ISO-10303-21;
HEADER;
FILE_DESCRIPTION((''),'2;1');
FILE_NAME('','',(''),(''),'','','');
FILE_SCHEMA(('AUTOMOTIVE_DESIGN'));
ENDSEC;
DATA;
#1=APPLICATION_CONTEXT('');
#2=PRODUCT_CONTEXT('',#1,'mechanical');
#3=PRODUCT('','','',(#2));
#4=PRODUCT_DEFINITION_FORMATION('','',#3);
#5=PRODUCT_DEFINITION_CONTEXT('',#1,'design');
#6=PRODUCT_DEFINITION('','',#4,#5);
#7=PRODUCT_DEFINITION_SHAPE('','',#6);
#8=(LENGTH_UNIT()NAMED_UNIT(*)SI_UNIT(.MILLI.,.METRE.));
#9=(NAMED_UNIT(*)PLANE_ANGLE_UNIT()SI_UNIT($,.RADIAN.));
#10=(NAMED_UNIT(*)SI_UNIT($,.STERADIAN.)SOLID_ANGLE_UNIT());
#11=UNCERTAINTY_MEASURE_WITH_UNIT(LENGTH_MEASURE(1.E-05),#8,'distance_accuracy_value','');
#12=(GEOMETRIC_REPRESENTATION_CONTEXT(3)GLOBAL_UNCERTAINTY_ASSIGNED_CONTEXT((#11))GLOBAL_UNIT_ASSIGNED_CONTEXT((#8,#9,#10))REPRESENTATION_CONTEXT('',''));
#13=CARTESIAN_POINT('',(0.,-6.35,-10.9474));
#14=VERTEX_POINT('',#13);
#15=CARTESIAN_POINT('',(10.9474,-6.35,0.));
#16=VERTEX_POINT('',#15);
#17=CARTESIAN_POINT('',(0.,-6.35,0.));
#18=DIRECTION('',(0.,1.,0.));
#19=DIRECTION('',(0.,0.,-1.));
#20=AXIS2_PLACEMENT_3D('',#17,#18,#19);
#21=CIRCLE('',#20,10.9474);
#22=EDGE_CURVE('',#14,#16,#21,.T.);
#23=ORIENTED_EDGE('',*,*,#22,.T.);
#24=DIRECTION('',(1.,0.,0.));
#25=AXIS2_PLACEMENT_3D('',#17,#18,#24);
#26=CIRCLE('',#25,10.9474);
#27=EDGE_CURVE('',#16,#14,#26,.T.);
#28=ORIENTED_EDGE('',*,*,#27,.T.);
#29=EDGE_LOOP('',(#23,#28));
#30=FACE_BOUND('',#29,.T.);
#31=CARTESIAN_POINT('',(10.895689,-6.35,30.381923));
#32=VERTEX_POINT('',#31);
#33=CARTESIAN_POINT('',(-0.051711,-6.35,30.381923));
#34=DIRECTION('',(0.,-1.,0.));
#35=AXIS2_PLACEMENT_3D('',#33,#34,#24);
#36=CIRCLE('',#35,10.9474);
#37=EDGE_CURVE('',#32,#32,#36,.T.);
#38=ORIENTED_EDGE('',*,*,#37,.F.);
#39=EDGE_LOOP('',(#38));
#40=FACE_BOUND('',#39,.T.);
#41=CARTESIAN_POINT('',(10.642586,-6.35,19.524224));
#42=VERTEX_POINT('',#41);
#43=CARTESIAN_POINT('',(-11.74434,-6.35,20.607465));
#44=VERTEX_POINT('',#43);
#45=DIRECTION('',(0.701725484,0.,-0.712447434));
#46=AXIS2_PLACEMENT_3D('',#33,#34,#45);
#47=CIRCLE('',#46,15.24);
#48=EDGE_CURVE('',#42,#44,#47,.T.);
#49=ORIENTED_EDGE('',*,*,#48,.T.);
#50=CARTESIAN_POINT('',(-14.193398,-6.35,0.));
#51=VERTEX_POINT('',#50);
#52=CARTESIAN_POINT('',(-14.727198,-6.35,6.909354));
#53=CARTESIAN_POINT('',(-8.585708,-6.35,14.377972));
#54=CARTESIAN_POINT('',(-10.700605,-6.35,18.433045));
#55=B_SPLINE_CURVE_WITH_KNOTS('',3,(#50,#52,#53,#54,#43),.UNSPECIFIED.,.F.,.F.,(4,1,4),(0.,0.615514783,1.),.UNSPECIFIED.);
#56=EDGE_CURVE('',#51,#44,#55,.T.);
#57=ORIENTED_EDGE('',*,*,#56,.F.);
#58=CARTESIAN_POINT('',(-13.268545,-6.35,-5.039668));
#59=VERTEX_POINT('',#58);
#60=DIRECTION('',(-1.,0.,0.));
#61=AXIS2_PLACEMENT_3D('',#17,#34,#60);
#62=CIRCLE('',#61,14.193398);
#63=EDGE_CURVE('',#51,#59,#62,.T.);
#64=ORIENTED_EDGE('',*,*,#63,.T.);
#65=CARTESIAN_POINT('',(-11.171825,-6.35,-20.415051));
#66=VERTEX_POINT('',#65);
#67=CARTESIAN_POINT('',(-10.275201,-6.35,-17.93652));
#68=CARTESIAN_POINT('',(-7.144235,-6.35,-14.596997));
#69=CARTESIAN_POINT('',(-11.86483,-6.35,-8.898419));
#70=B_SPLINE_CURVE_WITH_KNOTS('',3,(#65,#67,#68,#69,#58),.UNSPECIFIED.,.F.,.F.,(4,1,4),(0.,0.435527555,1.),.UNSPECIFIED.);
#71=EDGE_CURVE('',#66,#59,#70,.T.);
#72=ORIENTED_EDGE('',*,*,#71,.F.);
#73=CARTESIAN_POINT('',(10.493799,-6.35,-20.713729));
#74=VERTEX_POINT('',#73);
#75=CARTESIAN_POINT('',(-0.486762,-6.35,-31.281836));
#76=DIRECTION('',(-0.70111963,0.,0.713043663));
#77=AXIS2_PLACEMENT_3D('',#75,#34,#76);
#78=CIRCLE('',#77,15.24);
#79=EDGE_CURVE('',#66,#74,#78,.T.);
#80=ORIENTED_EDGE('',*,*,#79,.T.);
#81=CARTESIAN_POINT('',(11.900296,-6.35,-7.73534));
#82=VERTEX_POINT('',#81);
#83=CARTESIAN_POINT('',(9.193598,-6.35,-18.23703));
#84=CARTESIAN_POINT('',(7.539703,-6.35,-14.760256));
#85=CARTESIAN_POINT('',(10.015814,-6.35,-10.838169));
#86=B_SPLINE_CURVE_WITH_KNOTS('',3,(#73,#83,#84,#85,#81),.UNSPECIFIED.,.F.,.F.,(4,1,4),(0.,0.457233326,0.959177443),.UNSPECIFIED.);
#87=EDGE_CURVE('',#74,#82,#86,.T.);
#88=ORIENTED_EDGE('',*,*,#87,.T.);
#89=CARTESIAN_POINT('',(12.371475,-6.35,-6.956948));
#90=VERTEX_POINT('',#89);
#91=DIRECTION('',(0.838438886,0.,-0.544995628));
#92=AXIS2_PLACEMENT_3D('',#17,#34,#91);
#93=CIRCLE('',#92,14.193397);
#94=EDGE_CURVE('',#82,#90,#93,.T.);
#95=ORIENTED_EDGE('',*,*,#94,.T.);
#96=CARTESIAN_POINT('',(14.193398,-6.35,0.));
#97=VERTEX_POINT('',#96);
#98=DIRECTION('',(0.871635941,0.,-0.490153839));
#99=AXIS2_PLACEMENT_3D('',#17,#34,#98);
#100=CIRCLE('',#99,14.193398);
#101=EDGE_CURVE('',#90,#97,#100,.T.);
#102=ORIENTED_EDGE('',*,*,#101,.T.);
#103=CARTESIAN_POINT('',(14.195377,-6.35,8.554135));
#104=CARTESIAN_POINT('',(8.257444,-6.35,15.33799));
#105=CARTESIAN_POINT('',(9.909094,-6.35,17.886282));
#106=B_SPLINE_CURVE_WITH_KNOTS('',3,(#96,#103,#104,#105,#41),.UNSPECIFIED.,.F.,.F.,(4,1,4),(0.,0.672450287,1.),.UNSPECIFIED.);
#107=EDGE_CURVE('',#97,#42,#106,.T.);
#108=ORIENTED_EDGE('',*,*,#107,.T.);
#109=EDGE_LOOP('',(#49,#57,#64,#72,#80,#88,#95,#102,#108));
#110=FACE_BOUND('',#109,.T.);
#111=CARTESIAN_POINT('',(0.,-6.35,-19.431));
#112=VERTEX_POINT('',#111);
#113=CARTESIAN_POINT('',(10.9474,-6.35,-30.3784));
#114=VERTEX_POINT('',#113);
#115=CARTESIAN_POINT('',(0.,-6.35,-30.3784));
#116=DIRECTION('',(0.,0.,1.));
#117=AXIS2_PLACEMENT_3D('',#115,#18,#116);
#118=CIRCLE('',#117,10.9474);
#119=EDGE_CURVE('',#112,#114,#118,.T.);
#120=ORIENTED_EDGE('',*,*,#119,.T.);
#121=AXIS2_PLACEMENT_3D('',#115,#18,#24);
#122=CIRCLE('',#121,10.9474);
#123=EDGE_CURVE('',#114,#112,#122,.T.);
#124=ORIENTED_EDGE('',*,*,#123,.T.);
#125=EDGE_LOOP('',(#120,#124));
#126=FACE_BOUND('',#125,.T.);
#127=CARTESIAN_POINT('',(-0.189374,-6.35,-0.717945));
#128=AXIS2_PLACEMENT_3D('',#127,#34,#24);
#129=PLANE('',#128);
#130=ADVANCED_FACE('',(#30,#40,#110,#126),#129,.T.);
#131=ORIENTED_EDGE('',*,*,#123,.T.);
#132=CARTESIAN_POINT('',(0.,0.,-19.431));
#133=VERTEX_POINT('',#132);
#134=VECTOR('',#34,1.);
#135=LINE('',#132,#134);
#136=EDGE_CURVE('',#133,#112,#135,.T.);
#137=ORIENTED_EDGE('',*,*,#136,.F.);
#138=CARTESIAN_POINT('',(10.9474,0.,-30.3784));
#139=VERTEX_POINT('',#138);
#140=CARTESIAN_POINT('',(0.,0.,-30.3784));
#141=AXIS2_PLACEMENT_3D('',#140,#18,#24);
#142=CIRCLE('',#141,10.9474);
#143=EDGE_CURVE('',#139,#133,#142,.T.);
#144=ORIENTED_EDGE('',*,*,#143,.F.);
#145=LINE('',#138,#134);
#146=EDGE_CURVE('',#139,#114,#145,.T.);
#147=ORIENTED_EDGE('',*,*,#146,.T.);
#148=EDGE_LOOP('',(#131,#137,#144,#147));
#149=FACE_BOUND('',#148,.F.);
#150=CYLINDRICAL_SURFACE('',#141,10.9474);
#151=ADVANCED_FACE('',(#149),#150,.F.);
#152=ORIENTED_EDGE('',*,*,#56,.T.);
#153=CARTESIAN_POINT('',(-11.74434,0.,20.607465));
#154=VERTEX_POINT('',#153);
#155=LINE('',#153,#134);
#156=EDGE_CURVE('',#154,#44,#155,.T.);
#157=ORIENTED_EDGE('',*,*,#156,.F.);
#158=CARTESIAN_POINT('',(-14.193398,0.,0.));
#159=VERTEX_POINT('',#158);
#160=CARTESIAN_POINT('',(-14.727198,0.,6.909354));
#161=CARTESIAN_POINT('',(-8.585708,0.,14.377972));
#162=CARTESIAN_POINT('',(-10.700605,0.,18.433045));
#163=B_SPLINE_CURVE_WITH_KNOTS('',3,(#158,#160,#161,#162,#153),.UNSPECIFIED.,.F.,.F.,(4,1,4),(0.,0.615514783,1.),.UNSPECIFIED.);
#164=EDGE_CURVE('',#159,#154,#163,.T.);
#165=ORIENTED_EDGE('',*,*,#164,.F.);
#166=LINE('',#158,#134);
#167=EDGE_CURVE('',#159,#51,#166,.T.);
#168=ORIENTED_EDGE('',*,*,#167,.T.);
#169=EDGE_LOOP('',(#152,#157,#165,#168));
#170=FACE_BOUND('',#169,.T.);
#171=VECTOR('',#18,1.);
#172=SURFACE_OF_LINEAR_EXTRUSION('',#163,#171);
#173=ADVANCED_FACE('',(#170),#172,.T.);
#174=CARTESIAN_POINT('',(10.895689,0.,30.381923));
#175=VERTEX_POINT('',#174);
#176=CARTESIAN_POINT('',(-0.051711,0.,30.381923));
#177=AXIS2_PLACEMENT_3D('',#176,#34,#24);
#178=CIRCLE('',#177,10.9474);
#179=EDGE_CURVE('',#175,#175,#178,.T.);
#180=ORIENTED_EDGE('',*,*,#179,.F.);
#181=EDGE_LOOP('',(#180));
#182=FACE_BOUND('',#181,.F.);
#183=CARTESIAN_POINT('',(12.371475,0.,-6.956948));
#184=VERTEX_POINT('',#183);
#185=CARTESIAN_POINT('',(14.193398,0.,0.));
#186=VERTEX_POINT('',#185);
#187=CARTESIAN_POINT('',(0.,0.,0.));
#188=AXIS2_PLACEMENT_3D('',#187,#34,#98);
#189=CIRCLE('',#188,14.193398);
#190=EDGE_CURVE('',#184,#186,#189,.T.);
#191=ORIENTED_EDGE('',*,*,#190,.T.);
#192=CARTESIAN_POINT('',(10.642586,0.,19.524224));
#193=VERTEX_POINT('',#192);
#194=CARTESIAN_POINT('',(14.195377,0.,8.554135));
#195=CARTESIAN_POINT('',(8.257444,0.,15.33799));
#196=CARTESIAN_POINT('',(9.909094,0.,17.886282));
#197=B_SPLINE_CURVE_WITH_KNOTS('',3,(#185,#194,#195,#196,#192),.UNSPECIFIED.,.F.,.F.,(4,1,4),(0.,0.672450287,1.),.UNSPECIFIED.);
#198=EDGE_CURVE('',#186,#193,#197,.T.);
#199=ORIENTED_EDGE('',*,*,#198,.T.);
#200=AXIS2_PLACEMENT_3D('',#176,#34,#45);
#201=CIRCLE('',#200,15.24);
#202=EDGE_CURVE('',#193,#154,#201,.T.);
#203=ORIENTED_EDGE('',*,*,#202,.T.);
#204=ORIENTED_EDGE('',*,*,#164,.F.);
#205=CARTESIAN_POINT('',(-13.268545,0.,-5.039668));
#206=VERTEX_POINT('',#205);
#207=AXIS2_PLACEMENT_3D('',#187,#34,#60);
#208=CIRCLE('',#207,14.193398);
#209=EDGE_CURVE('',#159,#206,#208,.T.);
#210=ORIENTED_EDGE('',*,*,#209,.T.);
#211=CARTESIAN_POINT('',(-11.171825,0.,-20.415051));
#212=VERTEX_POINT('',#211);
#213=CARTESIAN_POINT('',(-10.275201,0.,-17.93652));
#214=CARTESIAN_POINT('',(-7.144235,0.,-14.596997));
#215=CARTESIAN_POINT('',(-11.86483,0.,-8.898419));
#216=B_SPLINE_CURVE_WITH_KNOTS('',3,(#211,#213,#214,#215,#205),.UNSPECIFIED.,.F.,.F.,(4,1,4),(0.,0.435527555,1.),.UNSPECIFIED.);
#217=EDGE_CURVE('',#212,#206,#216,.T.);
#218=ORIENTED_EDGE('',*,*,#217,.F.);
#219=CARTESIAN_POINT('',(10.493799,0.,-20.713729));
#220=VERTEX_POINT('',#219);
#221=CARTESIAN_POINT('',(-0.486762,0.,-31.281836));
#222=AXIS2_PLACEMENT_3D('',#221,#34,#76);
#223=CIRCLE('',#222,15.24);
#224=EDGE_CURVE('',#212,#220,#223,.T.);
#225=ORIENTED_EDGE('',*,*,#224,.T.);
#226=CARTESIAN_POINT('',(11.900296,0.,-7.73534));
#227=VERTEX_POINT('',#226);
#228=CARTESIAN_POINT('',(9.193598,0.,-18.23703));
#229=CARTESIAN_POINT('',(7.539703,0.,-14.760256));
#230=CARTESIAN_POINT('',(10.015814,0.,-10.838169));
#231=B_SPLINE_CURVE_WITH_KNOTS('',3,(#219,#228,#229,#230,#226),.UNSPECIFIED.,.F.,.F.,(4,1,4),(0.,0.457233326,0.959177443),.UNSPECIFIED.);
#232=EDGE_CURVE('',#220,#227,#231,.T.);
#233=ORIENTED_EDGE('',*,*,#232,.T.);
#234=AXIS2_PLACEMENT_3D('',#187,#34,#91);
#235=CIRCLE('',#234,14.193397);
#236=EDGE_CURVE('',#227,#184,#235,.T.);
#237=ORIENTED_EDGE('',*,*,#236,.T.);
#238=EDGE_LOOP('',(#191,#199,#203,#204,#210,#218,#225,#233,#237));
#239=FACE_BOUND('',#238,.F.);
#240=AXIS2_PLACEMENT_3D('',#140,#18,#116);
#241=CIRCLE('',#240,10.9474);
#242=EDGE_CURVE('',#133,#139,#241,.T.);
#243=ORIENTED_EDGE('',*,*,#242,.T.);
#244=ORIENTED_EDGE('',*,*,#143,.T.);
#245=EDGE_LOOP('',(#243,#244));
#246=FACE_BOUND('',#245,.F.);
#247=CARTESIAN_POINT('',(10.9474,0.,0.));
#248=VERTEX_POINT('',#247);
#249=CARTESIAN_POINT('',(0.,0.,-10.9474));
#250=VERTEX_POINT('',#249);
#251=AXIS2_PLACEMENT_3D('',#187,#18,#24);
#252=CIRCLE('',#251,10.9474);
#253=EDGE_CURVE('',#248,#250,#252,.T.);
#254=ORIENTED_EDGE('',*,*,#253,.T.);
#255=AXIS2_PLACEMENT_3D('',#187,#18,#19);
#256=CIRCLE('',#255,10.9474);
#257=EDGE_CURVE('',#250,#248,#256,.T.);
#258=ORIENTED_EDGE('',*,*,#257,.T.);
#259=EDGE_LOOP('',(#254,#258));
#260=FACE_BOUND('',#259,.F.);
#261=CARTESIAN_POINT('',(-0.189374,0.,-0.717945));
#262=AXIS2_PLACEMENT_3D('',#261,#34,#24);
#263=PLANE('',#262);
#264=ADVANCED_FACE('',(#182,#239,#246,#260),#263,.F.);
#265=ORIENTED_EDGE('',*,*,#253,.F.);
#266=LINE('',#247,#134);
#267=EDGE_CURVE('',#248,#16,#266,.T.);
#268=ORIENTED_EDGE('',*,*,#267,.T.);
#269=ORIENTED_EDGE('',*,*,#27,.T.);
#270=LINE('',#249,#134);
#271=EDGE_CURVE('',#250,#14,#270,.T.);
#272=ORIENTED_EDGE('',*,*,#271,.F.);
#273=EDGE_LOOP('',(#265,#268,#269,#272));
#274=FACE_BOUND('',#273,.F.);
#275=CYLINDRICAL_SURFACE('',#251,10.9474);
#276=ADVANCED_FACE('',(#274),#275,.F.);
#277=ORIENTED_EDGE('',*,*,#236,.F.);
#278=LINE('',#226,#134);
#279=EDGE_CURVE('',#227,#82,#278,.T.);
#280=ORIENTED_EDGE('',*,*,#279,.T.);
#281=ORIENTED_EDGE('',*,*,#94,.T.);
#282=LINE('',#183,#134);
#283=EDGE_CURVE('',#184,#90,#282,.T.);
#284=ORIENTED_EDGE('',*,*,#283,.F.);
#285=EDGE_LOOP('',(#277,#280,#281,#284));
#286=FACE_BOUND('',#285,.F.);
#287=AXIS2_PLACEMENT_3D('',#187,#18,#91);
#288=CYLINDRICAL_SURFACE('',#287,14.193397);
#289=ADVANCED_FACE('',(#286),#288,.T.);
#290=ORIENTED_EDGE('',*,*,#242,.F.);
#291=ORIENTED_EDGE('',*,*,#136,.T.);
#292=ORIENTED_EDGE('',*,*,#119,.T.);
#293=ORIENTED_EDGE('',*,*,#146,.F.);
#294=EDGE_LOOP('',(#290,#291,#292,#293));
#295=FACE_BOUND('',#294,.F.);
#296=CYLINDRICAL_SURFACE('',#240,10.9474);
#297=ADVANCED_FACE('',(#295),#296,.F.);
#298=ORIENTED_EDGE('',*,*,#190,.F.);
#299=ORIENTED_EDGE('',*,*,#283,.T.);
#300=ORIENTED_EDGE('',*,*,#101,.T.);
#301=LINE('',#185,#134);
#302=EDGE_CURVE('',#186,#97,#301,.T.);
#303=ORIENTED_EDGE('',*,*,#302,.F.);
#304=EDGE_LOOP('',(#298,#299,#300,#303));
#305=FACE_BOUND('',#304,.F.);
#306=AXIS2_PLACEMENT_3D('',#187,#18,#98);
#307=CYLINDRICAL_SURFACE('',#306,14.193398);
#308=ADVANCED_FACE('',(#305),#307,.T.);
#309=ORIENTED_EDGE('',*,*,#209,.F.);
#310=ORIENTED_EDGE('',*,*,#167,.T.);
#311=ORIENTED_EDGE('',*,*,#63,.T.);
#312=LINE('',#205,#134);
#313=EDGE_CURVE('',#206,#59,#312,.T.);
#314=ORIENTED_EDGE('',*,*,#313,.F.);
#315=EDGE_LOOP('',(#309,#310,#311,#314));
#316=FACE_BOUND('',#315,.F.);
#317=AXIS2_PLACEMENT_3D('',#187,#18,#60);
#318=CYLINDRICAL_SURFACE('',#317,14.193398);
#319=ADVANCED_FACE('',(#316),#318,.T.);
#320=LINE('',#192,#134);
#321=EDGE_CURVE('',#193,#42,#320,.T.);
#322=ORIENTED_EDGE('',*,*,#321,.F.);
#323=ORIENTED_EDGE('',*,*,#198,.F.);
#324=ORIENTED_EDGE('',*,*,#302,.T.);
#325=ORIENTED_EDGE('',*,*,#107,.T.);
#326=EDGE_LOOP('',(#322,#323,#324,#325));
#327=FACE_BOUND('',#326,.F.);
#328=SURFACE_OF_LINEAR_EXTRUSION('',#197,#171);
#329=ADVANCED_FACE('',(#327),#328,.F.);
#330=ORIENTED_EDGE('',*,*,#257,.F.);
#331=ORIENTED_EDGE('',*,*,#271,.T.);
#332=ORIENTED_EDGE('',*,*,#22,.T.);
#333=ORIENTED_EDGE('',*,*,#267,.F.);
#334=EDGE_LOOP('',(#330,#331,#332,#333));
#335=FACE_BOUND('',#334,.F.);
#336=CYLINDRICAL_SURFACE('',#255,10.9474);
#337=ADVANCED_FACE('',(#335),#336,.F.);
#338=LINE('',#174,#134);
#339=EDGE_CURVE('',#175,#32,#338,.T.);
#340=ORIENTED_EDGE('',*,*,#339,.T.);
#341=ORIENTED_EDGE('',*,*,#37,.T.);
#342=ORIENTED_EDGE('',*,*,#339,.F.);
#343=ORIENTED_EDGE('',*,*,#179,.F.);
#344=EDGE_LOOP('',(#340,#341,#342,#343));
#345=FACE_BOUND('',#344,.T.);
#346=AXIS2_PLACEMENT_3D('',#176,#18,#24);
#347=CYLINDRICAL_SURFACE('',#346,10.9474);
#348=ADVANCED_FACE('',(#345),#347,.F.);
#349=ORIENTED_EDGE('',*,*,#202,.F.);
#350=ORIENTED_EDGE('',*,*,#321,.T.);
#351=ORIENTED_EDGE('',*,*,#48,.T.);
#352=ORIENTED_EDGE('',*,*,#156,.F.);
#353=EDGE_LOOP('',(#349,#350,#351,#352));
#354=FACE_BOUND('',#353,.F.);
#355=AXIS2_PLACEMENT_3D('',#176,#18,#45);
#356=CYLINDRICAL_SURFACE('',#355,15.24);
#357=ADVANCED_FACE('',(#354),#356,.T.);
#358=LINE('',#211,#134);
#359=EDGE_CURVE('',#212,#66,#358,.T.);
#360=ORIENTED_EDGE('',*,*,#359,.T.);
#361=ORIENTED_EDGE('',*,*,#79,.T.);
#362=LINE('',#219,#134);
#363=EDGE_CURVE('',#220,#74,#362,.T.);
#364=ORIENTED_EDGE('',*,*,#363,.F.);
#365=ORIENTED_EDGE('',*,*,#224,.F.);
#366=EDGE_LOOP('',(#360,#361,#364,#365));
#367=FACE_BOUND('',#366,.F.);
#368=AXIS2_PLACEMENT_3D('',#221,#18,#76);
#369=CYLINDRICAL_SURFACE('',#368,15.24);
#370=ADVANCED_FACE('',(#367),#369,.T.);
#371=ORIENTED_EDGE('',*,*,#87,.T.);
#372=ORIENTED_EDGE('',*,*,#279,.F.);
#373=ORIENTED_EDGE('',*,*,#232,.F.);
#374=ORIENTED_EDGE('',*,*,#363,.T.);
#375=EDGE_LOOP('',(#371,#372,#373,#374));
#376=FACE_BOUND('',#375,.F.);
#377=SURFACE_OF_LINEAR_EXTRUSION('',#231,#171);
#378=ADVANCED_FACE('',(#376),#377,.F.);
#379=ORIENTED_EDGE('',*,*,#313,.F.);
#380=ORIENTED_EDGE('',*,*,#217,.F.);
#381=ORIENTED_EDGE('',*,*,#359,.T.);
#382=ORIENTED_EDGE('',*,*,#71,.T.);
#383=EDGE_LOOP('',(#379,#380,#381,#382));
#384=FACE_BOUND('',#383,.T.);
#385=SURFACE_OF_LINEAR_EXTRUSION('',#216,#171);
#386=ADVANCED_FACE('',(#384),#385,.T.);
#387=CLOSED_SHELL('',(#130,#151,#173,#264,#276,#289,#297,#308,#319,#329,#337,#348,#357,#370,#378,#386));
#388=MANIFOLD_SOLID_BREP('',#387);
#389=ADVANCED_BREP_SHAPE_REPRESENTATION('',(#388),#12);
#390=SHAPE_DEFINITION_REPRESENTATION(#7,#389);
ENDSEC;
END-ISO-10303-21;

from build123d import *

# Parameters (mm, degrees)
F0_R     = 10.9474
F1_DEPTH = 6.35


with BuildPart() as f1:
    # F0 (on Front) → F1 (new body)
    with BuildSketch(Plane.XZ):
        with BuildLine():
            ThreePointArc((-13.2685446816, -5.0396682469), (-8.0598548082, -11.6829480217), (0, -14.1933975498))
            ThreePointArc((0, -14.1933975498), (6.7698516874, -12.4748403652), (11.90029643, -7.7353396101))
            add(Edge.make_bspline(
                [(11.90029643, -7.7353396101), (12.0535593312, -7.4829899095), (12.2107162371, -7.2236926197), (12.3714754304, -6.9569483023)],
                knots=[0.9591774425, 0.9591774425, 0.9591774425, 0.9591774425, 1, 1, 1, 1], degree=3))
            ThreePointArc((12.3714754304, -6.9569483023), (13.7303642171, -3.5957798142), (14.1933975498, 0))
            ThreePointArc((14.1933975498, 0), (0, 14.1933975498), (-14.1933975498, 0))
            ThreePointArc((-14.1933975498, 0), (-13.9602697606, -2.5619137801), (-13.2685446816, -5.0396682469))
        make_face()
        with BuildLine():
            ThreePointArc((0, -10.9474), (-7.7409807764, 7.7409807764), (10.9474, 0))
            ThreePointArc((10.9474, 0), (7.7409807764, -7.7409807764), (0, -10.9474))
        make_face(mode=Mode.SUBTRACT)
        with BuildLine():
            ThreePointArc((11.90029643, -7.7353396101), (6.7698516874, -12.4748403652), (0, -14.1933975498))
            ThreePointArc((0, -14.1933975498), (-8.0598548082, -11.6829480217), (-13.2685446816, -5.0396682469))
            add(Edge.make_bspline(
                [(-11.1718252314, -20.4150509073), (-10.2752013229, -17.9365202276), (-7.1442353987, -14.5969973645), (-11.864830176, -8.898419344), (-13.2685446816, -5.0396682469)],
                knots=[0, 0, 0, 0, 0.4355275546, 1, 1, 1, 1], degree=3))
            ThreePointArc((-11.1718252314, -20.4150509073), (-0.6968379156, -46.5203883622), (10.4937985181, -20.7137291613))
            add(Edge.make_bspline(
                [(10.4937985181, -20.7137291613), (9.1935984748, -18.2370298329), (7.5397029576, -14.7602557648), (10.0158135325, -10.8381693983), (11.90029643, -7.7353396101)],
                knots=[0, 0, 0, 0, 0.4572333258, 0.9591774425, 0.9591774425, 0.9591774425, 0.9591774425], degree=3))
        make_face()
        with BuildLine():
            ThreePointArc((10.9474, -30.3784), (-7.7409807764, -38.1193807764), (0, -19.431))
            ThreePointArc((0, -19.431), (7.7409807764, -22.6374192236), (10.9474, -30.3784))
        make_face(mode=Mode.SUBTRACT)
        with BuildLine():
            add(Edge.make_bspline(
                [(11.90029643, -7.7353396101), (12.0535593312, -7.4829899095), (12.2107162371, -7.2236926197), (12.3714754304, -6.9569483023)],
                knots=[0.9591774425, 0.9591774425, 0.9591774425, 0.9591774425, 1, 1, 1, 1], degree=3))
            ThreePointArc((11.90029643, -7.7353396101), (12.1421250434, -7.3499206416), (12.3714754304, -6.9569483023))
        make_face()
        with BuildLine():
            add(Edge.make_bspline(
                [(-14.1933975498, 0), (-14.7271984955, 6.909354162), (-8.5857084967, 14.3779721791), (-10.7006047161, 18.4330450096), (-11.7443399906, 20.6074653511)],
                knots=[0, 0, 0, 0, 0.6155147833, 1, 1, 1, 1], degree=3))
            ThreePointArc((-14.1933975498, 0), (0, 14.1933975498), (14.1933975498, 0))
            add(Edge.make_bspline(
                [(14.1933975498, 0), (14.1953765387, 8.5541345291), (8.2574436372, 15.3379896379), (9.9090943029, 17.8862823832), (10.6425855816, 19.5242241137)],
                knots=[0, 0, 0, 0, 0.6724502865, 1, 1, 1, 1], degree=3))
            ThreePointArc((10.6425855816, 19.5242241137), (0.6848487841, 45.6041133823), (-11.7443399906, 20.6074653511))
        make_face()
        with Locations((-0.0517107891, 30.3819230013)):
            Circle(F0_R, mode=Mode.SUBTRACT)
    extrude(amount=F1_DEPTH)


solid = f1.part
